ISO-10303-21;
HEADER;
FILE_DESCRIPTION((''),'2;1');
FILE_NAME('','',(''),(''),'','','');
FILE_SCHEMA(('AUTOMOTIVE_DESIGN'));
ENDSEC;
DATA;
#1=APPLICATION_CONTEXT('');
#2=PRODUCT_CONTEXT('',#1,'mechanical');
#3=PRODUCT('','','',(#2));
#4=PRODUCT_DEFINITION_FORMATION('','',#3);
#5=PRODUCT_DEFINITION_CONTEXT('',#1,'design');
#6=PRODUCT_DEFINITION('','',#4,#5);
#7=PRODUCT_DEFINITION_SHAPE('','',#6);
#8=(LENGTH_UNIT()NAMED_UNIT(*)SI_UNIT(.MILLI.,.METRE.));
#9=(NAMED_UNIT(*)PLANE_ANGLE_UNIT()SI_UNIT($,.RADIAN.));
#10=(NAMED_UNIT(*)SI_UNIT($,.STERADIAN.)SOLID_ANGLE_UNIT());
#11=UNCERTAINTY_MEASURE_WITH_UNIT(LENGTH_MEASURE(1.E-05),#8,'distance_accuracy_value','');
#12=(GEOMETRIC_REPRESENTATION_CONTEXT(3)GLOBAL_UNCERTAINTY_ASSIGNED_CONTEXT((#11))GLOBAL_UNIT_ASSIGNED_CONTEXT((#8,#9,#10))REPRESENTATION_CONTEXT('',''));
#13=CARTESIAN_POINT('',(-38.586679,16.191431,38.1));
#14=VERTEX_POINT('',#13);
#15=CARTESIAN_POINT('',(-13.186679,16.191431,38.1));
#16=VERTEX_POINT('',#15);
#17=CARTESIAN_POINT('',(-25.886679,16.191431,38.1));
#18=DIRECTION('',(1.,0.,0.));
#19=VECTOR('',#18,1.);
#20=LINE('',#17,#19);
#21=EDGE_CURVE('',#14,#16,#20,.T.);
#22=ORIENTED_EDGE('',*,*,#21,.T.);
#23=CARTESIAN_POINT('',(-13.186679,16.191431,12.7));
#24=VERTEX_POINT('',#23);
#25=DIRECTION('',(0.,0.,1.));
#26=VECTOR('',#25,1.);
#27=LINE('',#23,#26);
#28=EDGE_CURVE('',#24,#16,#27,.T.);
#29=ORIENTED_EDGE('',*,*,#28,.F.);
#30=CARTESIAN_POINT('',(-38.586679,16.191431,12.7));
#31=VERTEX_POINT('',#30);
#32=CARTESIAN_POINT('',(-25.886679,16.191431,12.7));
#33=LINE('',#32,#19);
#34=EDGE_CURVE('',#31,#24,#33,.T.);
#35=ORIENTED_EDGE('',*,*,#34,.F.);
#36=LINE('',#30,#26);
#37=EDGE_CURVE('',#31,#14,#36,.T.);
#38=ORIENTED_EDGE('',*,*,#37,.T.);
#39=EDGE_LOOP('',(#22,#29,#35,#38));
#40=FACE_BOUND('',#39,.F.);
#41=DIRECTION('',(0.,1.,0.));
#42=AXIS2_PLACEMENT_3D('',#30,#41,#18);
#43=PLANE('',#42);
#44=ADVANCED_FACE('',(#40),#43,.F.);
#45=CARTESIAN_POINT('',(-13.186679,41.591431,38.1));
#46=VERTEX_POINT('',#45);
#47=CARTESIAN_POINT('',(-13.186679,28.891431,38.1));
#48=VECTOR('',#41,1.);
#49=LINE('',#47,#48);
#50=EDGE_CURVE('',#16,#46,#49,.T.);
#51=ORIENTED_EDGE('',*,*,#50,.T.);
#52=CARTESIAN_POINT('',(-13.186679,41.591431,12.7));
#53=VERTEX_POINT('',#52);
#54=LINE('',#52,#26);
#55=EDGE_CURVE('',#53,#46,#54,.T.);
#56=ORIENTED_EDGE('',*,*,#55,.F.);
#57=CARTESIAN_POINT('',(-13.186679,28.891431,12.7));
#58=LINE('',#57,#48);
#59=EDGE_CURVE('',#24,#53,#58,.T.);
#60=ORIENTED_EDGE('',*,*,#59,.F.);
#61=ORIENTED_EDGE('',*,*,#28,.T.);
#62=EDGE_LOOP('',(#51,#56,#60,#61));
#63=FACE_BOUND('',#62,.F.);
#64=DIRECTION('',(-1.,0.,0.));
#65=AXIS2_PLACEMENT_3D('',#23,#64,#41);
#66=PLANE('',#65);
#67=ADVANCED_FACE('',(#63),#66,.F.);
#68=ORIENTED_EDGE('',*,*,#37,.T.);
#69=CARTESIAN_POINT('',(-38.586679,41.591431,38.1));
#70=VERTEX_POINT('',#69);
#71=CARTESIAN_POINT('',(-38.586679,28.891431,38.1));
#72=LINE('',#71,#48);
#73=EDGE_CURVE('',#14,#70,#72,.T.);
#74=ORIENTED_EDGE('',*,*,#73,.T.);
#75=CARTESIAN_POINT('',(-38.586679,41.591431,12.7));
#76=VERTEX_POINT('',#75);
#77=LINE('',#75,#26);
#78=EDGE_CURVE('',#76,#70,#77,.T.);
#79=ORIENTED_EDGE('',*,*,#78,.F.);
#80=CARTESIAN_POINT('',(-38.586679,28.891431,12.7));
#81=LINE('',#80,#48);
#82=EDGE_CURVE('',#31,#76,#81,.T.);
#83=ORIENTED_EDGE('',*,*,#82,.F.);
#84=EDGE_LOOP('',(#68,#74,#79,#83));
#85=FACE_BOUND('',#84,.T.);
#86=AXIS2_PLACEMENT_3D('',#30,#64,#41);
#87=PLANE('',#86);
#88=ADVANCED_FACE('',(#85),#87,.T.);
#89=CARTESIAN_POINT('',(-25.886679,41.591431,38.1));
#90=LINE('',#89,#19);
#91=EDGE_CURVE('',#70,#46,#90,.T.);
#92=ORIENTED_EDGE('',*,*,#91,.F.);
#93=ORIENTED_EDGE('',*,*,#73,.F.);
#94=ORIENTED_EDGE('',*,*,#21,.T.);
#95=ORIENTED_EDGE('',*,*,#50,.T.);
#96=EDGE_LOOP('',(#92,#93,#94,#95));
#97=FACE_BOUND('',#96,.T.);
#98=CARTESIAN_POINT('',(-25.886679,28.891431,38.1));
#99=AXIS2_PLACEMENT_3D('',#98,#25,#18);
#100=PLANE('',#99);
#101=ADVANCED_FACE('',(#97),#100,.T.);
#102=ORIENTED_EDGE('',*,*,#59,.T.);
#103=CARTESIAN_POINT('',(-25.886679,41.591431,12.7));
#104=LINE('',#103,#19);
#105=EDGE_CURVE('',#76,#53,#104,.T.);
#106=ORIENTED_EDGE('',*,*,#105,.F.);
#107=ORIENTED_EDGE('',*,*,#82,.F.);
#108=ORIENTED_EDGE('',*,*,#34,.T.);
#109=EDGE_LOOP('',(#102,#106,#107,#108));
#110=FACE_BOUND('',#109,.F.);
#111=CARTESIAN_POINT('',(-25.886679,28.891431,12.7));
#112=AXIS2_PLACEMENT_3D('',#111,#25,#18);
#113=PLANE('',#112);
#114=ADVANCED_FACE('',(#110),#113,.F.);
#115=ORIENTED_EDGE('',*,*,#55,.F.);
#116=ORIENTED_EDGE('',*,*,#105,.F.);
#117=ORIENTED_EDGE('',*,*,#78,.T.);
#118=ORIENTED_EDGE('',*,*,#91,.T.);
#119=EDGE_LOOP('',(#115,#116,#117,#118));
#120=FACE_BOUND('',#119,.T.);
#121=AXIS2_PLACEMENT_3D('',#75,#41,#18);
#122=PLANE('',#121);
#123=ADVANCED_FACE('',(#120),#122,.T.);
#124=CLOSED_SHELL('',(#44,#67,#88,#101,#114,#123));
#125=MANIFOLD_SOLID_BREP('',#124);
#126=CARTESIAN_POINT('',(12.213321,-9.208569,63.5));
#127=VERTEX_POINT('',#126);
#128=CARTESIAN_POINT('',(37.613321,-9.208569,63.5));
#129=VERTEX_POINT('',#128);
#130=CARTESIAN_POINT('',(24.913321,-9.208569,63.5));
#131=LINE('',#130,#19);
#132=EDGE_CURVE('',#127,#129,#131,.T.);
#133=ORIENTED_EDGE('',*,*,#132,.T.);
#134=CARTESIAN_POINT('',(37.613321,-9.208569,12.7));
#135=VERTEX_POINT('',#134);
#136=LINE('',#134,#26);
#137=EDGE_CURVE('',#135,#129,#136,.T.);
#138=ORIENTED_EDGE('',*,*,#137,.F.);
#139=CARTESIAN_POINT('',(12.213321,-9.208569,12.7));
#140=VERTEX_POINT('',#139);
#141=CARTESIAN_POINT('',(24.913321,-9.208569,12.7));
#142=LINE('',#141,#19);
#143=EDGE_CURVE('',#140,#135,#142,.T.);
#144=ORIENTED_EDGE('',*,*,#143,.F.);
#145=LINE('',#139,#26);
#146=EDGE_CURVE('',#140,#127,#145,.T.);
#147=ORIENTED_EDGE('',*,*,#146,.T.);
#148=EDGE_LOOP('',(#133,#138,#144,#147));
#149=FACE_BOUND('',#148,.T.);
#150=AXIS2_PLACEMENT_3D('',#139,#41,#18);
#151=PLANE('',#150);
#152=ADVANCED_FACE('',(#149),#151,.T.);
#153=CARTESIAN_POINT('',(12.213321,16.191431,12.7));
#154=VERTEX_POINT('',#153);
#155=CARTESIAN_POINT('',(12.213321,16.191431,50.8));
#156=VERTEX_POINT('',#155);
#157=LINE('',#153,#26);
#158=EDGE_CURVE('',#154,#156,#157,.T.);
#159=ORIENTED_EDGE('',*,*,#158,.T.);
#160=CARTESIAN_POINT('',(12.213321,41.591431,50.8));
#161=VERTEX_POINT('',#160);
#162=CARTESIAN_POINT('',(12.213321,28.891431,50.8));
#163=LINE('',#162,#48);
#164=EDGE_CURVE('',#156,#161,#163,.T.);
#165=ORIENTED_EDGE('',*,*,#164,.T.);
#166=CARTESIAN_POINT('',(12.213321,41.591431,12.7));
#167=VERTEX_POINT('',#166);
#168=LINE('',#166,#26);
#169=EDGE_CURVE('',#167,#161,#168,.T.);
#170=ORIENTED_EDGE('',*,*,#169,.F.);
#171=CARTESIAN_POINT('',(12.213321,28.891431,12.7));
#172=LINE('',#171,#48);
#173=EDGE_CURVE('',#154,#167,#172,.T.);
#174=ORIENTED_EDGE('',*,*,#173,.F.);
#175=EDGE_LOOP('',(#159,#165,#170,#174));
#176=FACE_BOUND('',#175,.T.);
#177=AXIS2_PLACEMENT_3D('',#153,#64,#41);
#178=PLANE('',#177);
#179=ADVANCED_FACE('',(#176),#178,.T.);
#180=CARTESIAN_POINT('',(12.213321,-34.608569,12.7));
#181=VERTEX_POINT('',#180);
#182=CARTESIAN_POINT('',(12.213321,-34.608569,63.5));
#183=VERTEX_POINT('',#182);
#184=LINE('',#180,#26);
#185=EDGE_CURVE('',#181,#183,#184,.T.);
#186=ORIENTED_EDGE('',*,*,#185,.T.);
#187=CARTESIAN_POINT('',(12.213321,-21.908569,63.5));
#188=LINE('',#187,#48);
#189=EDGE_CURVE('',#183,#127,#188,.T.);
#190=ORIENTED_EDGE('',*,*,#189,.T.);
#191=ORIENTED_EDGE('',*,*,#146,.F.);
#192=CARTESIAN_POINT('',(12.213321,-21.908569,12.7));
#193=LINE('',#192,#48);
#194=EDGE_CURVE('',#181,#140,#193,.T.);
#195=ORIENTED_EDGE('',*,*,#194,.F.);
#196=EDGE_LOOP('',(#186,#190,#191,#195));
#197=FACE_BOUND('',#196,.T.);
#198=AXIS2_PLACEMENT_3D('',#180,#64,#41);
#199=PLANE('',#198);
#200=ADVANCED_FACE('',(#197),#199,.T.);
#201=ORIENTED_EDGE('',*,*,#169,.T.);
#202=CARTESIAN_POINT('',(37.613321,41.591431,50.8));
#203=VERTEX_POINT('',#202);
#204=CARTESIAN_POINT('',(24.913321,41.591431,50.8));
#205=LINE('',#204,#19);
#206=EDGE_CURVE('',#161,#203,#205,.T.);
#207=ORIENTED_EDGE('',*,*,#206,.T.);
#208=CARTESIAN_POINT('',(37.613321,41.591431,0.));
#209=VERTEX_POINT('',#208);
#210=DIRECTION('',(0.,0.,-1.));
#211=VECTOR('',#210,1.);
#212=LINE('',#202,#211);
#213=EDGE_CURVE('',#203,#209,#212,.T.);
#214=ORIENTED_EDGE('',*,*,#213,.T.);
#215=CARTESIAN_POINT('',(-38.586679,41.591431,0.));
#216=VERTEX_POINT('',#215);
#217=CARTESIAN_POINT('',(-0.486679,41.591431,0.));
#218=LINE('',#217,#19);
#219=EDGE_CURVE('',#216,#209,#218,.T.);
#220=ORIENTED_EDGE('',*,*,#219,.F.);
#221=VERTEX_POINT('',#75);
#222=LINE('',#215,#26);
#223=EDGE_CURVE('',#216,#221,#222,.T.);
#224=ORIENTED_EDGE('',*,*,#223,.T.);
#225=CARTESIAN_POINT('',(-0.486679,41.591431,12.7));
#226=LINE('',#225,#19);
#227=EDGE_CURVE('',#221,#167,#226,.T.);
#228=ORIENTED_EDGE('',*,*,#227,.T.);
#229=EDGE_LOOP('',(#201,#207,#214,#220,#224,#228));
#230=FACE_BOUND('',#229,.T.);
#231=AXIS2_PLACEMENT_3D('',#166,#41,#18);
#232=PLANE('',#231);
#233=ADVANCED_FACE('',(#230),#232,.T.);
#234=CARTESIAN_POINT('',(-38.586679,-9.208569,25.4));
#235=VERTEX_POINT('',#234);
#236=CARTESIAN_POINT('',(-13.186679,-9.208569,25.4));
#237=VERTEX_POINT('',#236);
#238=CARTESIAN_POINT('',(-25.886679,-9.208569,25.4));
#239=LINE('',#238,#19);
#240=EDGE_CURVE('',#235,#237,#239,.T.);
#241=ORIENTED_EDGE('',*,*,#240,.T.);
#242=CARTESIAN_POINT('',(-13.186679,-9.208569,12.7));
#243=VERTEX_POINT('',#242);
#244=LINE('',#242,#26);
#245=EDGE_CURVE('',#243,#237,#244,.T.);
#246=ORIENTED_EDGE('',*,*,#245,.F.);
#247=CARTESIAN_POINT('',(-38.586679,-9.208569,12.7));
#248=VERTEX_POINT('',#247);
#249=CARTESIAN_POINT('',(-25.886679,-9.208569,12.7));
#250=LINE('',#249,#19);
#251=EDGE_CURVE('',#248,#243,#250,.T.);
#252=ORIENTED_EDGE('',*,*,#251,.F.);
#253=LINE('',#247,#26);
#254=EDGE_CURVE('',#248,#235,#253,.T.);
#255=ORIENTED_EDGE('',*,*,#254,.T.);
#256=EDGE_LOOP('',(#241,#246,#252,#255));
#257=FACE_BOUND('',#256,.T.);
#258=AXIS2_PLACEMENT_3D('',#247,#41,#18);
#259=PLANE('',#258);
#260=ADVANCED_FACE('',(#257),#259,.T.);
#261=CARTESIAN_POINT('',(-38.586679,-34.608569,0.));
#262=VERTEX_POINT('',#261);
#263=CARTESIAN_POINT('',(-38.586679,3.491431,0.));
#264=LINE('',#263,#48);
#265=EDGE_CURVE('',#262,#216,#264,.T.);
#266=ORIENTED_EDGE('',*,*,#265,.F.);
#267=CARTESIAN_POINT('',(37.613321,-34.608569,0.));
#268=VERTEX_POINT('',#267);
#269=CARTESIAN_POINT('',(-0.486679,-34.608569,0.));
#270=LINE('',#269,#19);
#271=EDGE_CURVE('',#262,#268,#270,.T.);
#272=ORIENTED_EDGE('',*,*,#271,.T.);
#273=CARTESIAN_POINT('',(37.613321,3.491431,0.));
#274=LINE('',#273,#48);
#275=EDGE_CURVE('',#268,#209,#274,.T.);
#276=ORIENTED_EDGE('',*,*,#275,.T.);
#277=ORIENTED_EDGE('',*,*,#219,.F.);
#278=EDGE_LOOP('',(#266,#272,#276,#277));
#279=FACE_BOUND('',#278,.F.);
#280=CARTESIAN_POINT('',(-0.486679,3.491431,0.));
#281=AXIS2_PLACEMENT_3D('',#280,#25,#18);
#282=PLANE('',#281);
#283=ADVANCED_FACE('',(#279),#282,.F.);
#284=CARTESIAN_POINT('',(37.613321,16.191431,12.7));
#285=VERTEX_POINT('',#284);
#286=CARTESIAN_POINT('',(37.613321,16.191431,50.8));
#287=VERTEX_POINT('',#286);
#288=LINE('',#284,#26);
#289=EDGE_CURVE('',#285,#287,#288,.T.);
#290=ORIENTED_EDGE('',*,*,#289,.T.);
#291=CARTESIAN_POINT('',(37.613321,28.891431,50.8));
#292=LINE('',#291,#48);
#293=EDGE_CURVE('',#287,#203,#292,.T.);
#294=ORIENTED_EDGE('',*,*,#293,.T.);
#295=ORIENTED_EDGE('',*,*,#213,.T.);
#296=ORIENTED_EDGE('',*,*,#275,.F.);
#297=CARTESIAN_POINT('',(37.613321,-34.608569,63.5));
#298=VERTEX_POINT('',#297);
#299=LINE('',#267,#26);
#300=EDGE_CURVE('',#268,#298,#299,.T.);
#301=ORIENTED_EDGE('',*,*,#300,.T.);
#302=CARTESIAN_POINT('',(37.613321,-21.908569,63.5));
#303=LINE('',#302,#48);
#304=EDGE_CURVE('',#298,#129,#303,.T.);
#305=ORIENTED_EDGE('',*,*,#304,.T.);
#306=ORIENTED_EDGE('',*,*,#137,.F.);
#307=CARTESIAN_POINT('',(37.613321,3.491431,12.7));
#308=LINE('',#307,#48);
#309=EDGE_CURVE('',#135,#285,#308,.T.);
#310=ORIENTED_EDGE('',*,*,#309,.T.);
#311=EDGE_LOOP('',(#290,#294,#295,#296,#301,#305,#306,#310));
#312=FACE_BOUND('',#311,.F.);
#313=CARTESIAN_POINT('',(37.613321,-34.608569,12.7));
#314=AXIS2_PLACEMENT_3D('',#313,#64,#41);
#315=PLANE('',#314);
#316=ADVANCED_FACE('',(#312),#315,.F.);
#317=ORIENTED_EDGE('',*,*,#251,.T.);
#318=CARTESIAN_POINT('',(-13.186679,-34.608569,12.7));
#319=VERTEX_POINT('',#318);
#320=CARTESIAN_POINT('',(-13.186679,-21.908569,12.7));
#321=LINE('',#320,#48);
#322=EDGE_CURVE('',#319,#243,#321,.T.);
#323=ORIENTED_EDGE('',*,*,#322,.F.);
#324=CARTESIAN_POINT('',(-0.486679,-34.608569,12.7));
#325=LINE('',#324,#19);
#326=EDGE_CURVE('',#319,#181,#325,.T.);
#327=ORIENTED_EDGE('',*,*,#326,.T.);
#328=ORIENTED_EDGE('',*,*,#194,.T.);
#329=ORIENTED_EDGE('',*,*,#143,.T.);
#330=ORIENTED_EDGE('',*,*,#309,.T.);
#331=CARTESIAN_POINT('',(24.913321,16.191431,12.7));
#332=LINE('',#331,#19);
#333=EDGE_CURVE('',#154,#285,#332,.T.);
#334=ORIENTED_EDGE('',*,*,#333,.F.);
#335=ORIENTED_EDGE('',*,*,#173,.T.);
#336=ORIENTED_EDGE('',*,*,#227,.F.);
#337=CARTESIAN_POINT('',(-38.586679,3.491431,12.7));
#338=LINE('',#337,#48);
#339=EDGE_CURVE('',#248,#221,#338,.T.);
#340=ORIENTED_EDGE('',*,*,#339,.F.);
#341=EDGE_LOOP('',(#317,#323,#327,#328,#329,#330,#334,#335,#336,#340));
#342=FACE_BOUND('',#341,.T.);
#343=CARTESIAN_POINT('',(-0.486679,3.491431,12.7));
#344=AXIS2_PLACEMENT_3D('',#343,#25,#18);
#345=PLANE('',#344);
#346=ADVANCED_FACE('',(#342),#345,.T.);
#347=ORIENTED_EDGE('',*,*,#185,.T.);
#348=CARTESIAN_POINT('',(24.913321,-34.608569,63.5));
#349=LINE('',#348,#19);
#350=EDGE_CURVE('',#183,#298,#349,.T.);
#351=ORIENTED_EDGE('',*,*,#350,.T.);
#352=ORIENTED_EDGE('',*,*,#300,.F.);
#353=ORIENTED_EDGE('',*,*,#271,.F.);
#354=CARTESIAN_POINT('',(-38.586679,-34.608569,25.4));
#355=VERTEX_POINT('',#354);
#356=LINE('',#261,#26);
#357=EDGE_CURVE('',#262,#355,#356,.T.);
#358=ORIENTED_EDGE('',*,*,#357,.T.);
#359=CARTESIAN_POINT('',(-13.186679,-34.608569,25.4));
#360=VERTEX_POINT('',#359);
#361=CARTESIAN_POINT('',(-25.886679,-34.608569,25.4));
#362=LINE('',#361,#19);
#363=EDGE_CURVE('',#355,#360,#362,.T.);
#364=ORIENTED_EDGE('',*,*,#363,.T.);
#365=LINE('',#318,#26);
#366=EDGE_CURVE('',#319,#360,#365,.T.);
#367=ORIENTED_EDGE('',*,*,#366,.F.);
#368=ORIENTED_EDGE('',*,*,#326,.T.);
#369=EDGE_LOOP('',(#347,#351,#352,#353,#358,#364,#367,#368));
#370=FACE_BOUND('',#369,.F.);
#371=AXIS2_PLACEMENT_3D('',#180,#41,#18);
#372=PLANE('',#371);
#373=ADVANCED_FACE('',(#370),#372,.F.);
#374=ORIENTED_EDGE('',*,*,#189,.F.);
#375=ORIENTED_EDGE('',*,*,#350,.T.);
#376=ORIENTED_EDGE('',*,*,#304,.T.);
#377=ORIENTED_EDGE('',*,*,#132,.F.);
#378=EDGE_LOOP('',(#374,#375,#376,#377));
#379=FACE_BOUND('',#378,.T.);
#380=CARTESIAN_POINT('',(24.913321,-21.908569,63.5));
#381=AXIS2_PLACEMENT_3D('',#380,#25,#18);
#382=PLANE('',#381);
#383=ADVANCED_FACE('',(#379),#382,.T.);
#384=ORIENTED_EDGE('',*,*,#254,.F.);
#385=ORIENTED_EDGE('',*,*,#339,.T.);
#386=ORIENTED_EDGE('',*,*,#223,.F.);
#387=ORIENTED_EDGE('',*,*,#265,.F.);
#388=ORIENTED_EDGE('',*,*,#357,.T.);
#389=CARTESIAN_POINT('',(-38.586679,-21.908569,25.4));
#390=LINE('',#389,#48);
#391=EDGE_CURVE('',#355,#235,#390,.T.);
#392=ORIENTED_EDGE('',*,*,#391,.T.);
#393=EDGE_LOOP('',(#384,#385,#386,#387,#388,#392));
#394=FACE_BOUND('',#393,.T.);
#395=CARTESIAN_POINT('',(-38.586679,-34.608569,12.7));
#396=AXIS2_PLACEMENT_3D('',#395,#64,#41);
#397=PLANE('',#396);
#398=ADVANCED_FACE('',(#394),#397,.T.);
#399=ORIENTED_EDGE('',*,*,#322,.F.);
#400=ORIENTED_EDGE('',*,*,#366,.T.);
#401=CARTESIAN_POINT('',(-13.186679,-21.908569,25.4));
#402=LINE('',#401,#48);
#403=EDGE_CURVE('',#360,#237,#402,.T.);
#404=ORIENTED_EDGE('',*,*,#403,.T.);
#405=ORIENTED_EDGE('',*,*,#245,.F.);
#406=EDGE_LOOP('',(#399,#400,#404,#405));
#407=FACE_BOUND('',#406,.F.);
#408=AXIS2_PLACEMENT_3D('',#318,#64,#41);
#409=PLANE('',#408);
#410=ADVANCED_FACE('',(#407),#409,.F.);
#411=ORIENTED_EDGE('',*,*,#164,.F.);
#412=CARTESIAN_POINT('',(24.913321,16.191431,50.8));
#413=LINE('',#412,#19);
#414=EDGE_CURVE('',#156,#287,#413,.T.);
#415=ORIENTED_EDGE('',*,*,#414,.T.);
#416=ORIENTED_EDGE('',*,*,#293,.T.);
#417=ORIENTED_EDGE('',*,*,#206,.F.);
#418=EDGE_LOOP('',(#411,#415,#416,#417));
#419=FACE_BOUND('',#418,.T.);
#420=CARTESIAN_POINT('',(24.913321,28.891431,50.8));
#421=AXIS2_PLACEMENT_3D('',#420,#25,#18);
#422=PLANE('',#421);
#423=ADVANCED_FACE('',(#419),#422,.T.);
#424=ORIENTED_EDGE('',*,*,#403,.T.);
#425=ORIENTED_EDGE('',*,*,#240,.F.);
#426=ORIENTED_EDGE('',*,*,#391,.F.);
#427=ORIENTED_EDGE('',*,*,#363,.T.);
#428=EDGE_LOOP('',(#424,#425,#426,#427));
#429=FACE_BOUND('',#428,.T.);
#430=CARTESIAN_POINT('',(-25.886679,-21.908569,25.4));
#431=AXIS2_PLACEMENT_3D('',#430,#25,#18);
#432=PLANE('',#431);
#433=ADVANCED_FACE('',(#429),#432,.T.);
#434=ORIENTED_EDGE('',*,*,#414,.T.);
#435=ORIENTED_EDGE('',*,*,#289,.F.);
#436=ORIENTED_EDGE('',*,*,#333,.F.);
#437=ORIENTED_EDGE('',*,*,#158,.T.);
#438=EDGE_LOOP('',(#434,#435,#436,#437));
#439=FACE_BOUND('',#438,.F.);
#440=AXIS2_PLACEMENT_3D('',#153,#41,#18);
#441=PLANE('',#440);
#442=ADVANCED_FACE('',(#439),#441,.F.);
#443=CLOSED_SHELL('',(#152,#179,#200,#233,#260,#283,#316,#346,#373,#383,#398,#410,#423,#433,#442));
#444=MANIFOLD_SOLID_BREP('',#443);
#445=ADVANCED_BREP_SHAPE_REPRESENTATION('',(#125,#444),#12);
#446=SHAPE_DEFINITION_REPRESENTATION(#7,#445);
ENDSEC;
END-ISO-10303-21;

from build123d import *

# Parameters (mm, degrees)
F0_W     = 76.2
F0_H     = 76.2
F1_DEPTH = 12.7
F2_W     = 25.4
F2_H     = 25.4
F3_DEPTH = 12.7
F4_W     = 25.4
F4_H     = 25.4
F5_DEPTH = 25.4
F6_W     = 25.4
F6_H     = 25.4
F7_DEPTH = 38.1
F8_W     = 25.4
F8_H     = 25.4
F9_DEPTH = 50.8


with BuildPart() as f1:
    # F0 (on Top) → F1 (new body)
    with BuildSketch(Plane.XY):
        with Locations((-0.486679, 3.491431)):
            Rectangle(F0_W, F0_H)
    extrude(amount=F1_DEPTH)

    # F2 (on face) → F3 (join)
    with BuildSketch(Plane.XY.offset(12.7)):
        with Locations((-25.886679, -21.908569)):
            Rectangle(F2_W, F2_H)
    extrude(amount=F3_DEPTH)

    # F6 (on face) → F7 (join)
    with BuildSketch(Plane.XY.offset(12.7)):
        with Locations((24.913321, 28.891431)):
            Rectangle(F6_W, F6_H)
    extrude(amount=F7_DEPTH)

    # F8 (on face) → F9 (join)
    with BuildSketch(Plane.XY.offset(12.7)):
        with Locations((24.913321, -21.908569)):
            Rectangle(F8_W, F8_H)
    extrude(amount=F9_DEPTH)


with BuildPart() as f5:
    # F4 (on face) → F5 (new body)
    with BuildSketch(Plane.XY.offset(12.7)):
        with Locations((-25.886679, 28.891431)):
            Rectangle(F4_W, F4_H)
    extrude(amount=F5_DEPTH)


solid = Compound([f1.part, f5.part])
